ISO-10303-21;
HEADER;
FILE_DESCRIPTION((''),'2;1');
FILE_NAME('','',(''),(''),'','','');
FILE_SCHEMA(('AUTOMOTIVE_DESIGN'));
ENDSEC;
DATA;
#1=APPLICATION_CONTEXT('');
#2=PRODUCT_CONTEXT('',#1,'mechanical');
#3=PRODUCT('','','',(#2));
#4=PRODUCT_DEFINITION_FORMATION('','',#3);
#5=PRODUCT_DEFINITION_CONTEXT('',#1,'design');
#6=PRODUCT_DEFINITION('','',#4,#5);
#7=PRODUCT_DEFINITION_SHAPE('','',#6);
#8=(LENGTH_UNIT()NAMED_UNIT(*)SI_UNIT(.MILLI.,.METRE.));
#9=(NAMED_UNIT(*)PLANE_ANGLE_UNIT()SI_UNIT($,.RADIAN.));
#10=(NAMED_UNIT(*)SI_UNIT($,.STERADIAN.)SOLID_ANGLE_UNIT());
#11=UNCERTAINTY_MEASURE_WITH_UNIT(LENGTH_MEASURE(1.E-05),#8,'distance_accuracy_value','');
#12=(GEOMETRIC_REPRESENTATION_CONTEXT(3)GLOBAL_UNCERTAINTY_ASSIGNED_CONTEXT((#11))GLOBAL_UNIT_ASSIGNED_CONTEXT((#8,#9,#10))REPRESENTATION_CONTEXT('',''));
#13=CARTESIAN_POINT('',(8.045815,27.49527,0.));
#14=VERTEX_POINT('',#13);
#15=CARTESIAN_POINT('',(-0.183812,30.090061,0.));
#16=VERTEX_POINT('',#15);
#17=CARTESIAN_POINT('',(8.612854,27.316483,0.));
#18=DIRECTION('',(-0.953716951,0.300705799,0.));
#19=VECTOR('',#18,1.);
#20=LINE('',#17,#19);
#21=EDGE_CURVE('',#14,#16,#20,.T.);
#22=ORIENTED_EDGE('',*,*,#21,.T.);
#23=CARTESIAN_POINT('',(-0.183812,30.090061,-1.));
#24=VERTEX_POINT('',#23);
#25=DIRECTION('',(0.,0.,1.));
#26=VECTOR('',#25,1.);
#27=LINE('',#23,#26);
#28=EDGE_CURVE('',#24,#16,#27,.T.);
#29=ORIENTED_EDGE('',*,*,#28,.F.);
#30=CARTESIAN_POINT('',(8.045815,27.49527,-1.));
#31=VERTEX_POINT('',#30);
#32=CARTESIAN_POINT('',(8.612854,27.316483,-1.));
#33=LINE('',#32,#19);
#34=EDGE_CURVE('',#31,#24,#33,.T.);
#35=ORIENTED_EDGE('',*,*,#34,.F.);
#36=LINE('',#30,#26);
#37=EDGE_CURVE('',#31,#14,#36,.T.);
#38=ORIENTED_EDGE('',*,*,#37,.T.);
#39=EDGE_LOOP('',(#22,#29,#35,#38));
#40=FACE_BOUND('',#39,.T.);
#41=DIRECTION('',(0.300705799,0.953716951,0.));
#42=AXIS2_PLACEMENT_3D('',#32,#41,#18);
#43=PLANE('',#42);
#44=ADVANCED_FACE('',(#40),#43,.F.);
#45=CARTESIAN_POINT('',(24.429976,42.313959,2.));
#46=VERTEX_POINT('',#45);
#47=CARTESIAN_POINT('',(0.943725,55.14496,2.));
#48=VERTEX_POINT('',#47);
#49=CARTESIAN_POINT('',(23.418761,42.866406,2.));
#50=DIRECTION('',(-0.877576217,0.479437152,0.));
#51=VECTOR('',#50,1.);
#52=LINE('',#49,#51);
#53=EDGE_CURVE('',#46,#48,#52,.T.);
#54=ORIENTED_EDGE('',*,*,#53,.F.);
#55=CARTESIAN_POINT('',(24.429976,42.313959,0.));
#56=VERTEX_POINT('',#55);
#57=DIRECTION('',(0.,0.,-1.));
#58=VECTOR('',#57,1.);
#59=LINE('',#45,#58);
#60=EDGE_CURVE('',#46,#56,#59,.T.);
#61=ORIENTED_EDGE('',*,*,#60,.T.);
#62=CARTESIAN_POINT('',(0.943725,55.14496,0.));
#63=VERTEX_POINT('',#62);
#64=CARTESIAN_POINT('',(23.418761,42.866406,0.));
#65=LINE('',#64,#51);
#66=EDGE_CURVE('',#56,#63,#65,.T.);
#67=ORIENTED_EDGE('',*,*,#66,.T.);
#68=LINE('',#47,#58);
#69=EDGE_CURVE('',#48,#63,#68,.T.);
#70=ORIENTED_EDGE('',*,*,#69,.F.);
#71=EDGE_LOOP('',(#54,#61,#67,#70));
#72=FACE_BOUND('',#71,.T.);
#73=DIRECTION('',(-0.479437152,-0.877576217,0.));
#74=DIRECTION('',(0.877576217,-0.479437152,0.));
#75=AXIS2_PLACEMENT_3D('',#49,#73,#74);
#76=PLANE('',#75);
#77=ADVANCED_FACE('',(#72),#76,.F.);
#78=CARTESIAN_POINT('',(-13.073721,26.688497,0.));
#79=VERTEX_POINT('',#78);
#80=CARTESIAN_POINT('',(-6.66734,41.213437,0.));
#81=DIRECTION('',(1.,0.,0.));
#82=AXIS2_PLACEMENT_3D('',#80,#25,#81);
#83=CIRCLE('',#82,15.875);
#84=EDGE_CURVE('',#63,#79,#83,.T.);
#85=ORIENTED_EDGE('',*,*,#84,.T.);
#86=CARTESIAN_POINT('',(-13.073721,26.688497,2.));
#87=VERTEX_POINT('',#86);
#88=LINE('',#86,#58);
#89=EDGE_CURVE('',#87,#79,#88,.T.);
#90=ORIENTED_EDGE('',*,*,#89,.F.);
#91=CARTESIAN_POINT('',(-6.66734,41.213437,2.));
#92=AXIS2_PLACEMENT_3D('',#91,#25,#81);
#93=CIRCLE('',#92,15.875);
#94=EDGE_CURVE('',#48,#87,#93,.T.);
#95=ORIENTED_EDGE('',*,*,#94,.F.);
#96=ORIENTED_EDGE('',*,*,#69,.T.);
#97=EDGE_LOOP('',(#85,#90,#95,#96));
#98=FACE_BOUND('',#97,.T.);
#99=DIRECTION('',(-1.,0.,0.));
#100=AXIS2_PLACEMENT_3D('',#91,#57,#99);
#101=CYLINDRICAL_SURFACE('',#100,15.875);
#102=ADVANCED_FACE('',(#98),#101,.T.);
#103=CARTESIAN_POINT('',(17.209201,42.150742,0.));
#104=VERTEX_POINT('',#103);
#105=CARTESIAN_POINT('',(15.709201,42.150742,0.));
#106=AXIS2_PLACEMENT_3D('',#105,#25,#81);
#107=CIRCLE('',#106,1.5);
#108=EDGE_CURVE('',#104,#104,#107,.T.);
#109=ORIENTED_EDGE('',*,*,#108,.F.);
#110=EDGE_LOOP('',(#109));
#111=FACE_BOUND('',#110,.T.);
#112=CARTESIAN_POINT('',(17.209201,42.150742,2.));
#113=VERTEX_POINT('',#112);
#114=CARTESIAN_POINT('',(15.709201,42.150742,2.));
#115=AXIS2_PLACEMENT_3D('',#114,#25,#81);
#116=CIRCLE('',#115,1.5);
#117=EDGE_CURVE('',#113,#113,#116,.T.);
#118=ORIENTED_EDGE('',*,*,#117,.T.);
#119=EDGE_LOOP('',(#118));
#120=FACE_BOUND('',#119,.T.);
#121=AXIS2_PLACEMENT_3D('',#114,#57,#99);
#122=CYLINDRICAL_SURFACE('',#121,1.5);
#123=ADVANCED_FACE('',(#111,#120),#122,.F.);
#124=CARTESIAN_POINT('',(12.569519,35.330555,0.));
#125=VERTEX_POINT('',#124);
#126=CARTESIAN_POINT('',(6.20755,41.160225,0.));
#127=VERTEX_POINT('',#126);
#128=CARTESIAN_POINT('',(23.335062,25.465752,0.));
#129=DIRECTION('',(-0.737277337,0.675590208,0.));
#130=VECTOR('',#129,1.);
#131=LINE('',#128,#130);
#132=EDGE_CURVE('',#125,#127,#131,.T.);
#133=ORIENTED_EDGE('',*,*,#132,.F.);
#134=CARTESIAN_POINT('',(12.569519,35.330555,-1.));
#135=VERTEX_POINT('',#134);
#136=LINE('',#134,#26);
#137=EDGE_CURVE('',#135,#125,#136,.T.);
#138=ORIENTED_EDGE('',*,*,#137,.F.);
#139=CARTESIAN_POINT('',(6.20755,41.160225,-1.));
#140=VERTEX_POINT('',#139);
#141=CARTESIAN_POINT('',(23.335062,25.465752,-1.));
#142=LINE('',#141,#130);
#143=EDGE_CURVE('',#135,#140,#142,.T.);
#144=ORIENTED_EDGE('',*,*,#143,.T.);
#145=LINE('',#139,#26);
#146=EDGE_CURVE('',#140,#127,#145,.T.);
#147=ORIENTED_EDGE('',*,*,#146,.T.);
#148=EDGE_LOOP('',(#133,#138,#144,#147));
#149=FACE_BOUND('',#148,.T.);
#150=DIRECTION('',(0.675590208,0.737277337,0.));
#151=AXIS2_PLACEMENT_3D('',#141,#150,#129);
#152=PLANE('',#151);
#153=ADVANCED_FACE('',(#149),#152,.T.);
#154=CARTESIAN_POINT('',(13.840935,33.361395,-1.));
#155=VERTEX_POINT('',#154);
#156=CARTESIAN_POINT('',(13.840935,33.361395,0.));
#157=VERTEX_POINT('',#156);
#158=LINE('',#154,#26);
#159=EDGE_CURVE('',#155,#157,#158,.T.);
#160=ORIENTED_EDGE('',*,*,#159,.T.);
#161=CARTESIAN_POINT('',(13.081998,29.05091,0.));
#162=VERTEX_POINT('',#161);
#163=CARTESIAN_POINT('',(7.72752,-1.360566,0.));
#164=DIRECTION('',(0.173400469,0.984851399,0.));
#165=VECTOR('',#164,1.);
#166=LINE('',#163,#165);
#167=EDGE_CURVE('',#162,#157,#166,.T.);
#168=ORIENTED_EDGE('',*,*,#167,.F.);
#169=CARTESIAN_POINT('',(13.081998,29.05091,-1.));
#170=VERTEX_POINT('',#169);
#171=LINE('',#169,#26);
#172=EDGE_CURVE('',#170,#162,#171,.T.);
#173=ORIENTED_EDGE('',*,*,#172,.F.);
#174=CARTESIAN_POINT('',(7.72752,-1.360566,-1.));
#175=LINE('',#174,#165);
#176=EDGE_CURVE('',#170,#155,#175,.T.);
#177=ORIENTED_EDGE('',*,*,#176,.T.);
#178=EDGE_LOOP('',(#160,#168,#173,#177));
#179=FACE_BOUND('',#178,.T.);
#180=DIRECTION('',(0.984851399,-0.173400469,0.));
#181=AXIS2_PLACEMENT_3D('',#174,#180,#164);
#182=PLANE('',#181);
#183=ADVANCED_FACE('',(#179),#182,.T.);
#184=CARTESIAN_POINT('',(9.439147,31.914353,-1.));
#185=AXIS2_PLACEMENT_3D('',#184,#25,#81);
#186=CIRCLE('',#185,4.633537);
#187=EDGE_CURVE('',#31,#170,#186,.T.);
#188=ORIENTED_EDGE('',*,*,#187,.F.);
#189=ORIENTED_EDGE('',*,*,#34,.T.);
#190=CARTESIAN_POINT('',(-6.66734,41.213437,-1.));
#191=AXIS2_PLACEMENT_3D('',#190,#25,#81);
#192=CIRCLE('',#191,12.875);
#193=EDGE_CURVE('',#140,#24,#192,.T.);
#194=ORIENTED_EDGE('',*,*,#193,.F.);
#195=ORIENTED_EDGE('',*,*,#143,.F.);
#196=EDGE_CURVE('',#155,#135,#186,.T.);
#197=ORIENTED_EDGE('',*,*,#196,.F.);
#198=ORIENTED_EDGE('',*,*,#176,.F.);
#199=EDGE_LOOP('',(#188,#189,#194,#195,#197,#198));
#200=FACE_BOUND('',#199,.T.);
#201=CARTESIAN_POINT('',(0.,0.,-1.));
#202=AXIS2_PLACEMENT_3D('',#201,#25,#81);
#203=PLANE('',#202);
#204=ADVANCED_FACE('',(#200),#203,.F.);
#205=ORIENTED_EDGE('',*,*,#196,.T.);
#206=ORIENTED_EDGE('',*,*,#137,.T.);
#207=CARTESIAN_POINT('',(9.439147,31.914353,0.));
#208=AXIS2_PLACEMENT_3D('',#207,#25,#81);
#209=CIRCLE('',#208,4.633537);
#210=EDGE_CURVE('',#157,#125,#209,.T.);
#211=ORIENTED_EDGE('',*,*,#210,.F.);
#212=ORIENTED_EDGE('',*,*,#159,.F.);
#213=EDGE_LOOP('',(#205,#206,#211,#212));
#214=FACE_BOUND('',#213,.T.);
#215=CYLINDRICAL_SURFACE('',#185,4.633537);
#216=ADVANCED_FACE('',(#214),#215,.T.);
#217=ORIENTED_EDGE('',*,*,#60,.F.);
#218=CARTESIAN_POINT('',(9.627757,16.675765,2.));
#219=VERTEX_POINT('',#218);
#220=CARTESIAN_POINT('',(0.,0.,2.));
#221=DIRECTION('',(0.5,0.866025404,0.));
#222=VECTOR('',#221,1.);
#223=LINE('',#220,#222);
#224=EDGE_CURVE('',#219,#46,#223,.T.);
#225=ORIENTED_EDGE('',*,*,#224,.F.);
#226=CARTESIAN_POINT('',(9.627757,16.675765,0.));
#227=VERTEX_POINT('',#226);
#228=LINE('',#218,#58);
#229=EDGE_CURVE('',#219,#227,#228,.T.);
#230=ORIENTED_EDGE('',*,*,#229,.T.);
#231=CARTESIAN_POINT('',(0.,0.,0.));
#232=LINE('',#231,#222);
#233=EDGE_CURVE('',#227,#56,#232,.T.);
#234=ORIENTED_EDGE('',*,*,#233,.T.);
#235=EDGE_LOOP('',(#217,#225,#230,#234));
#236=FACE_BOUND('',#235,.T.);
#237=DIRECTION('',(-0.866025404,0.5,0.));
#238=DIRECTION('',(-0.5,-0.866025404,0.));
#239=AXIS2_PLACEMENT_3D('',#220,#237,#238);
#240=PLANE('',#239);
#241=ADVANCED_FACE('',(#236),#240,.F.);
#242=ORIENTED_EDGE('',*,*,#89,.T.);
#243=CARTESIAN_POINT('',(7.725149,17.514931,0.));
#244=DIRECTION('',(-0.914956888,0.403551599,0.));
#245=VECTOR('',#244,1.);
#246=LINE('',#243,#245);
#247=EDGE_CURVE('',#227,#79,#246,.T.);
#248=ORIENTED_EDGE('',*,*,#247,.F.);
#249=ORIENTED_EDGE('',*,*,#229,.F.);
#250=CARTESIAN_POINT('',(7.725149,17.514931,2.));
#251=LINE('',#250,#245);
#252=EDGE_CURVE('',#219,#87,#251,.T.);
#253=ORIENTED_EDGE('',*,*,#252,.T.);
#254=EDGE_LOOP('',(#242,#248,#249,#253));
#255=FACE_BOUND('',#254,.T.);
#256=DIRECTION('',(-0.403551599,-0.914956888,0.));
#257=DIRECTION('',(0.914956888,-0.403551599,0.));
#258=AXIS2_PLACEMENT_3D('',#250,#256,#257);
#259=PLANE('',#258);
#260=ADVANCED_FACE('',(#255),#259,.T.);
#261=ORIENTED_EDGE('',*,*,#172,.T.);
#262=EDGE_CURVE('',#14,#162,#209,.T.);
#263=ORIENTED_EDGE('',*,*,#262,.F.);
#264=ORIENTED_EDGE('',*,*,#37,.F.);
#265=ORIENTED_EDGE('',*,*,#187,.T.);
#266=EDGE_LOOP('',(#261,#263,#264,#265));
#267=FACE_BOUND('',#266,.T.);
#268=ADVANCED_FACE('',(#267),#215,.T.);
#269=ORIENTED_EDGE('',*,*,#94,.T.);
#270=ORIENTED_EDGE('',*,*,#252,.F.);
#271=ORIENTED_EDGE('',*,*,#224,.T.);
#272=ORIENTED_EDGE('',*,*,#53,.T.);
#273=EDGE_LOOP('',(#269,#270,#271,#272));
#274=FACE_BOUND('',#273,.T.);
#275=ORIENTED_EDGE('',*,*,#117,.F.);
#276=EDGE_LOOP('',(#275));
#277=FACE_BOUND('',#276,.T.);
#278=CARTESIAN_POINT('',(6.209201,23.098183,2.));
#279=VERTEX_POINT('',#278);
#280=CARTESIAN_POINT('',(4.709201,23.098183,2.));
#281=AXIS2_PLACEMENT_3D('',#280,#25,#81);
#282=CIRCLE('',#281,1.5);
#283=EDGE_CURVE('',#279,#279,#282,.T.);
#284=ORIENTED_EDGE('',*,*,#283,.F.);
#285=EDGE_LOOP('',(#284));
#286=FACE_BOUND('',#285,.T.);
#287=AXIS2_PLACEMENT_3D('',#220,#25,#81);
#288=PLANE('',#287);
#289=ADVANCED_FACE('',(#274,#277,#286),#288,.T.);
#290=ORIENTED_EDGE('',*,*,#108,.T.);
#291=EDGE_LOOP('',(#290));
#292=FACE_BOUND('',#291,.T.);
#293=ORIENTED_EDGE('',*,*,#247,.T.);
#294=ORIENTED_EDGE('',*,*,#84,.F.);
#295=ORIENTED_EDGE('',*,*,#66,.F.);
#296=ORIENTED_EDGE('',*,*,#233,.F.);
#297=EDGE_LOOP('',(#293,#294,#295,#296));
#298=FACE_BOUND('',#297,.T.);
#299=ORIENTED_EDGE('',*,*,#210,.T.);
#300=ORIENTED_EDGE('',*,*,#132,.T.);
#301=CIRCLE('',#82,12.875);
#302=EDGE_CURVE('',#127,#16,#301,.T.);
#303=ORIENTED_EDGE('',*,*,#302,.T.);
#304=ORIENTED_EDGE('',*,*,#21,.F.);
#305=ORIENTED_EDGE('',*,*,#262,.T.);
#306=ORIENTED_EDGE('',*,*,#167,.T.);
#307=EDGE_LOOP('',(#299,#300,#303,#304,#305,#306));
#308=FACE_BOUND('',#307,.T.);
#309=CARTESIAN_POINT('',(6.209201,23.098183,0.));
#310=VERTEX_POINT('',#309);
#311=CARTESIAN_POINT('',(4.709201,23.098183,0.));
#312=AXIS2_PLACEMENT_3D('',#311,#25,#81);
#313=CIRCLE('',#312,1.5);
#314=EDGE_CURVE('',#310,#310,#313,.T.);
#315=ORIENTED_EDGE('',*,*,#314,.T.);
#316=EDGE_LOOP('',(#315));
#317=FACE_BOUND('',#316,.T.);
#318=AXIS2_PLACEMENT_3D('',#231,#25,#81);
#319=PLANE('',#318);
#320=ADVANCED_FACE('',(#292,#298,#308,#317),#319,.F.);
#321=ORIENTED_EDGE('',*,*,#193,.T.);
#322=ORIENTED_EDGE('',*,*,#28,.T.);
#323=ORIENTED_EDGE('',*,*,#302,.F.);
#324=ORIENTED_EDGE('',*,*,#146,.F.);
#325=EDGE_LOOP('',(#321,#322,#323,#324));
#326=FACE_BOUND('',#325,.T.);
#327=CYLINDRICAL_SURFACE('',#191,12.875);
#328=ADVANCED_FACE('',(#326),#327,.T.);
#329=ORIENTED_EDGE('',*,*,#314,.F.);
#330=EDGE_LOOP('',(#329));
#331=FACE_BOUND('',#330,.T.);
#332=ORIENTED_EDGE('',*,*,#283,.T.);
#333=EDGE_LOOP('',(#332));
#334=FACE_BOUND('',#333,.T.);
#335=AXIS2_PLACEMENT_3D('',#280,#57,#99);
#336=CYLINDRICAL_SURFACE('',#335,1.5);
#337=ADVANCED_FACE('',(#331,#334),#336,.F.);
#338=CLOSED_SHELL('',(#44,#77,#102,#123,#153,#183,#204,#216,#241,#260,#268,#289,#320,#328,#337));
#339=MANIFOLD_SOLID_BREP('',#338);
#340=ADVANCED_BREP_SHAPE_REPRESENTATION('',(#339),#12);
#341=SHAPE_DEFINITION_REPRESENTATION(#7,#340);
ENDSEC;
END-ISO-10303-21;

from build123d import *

# Parameters (mm, degrees)
BOSS_EXTRUDE1_DEPTH = 1
SKETCH1_3_R         = 1.5
BOSS_EXTRUDE2_DEPTH = 2


with BuildPart() as part:
    # Sketch1 → Boss-Extrude1 (new body)
    with BuildSketch(Plane.XY):
        with BuildLine():
            ThreePointArc((13.84093453, 33.361395308), (13.331800916, 34.427699543), (12.569519065, 35.330555089))
            Line((12.569519065, 35.330555089), (6.207550462, 41.160225249))
            ThreePointArc((6.207550462, 41.160225249), (-17.81741665, 47.650937168), (-0.183811683, 30.090061284))
            Line((-0.183811683, 30.090061284), (8.045815072, 27.495269935))
            ThreePointArc((8.045815072, 27.495269935), (10.806658392, 27.487211768), (13.081997543, 29.050910113))
            Line((13.081997543, 29.050910113), (13.84093453, 33.361395308))
        make_face()
    extrude(amount=-BOSS_EXTRUDE1_DEPTH)

    # Sketch1<3> → Boss-Extrude2 (add)
    with BuildSketch(Plane.XY):
        with BuildLine():
            Line((9.627757266, 16.675764747), (15.778866438, 27.329798357))
            Line((15.778866438, 27.329798357), (18.278866438, 31.659925376))
            Line((18.278866438, 31.659925376), (24.429975611, 42.313958986))
            Line((24.429975611, 42.313958986), (0.94372521, 55.144959619))
            ThreePointArc((0.94372521, 55.144959619), (-20.908315232, 48.228438049), (-13.073721217, 26.688496574))
            Line((-13.073721217, 26.688496574), (9.627757266, 16.675764747))
        make_face()
        with Locations((4.709200809, 23.09818313)):
            Circle(SKETCH1_3_R, mode=Mode.SUBTRACT)
        with Locations((15.709200809, 42.150742014)):
            Circle(SKETCH1_3_R, mode=Mode.SUBTRACT)
    extrude(amount=BOSS_EXTRUDE2_DEPTH)


solid = part.part
